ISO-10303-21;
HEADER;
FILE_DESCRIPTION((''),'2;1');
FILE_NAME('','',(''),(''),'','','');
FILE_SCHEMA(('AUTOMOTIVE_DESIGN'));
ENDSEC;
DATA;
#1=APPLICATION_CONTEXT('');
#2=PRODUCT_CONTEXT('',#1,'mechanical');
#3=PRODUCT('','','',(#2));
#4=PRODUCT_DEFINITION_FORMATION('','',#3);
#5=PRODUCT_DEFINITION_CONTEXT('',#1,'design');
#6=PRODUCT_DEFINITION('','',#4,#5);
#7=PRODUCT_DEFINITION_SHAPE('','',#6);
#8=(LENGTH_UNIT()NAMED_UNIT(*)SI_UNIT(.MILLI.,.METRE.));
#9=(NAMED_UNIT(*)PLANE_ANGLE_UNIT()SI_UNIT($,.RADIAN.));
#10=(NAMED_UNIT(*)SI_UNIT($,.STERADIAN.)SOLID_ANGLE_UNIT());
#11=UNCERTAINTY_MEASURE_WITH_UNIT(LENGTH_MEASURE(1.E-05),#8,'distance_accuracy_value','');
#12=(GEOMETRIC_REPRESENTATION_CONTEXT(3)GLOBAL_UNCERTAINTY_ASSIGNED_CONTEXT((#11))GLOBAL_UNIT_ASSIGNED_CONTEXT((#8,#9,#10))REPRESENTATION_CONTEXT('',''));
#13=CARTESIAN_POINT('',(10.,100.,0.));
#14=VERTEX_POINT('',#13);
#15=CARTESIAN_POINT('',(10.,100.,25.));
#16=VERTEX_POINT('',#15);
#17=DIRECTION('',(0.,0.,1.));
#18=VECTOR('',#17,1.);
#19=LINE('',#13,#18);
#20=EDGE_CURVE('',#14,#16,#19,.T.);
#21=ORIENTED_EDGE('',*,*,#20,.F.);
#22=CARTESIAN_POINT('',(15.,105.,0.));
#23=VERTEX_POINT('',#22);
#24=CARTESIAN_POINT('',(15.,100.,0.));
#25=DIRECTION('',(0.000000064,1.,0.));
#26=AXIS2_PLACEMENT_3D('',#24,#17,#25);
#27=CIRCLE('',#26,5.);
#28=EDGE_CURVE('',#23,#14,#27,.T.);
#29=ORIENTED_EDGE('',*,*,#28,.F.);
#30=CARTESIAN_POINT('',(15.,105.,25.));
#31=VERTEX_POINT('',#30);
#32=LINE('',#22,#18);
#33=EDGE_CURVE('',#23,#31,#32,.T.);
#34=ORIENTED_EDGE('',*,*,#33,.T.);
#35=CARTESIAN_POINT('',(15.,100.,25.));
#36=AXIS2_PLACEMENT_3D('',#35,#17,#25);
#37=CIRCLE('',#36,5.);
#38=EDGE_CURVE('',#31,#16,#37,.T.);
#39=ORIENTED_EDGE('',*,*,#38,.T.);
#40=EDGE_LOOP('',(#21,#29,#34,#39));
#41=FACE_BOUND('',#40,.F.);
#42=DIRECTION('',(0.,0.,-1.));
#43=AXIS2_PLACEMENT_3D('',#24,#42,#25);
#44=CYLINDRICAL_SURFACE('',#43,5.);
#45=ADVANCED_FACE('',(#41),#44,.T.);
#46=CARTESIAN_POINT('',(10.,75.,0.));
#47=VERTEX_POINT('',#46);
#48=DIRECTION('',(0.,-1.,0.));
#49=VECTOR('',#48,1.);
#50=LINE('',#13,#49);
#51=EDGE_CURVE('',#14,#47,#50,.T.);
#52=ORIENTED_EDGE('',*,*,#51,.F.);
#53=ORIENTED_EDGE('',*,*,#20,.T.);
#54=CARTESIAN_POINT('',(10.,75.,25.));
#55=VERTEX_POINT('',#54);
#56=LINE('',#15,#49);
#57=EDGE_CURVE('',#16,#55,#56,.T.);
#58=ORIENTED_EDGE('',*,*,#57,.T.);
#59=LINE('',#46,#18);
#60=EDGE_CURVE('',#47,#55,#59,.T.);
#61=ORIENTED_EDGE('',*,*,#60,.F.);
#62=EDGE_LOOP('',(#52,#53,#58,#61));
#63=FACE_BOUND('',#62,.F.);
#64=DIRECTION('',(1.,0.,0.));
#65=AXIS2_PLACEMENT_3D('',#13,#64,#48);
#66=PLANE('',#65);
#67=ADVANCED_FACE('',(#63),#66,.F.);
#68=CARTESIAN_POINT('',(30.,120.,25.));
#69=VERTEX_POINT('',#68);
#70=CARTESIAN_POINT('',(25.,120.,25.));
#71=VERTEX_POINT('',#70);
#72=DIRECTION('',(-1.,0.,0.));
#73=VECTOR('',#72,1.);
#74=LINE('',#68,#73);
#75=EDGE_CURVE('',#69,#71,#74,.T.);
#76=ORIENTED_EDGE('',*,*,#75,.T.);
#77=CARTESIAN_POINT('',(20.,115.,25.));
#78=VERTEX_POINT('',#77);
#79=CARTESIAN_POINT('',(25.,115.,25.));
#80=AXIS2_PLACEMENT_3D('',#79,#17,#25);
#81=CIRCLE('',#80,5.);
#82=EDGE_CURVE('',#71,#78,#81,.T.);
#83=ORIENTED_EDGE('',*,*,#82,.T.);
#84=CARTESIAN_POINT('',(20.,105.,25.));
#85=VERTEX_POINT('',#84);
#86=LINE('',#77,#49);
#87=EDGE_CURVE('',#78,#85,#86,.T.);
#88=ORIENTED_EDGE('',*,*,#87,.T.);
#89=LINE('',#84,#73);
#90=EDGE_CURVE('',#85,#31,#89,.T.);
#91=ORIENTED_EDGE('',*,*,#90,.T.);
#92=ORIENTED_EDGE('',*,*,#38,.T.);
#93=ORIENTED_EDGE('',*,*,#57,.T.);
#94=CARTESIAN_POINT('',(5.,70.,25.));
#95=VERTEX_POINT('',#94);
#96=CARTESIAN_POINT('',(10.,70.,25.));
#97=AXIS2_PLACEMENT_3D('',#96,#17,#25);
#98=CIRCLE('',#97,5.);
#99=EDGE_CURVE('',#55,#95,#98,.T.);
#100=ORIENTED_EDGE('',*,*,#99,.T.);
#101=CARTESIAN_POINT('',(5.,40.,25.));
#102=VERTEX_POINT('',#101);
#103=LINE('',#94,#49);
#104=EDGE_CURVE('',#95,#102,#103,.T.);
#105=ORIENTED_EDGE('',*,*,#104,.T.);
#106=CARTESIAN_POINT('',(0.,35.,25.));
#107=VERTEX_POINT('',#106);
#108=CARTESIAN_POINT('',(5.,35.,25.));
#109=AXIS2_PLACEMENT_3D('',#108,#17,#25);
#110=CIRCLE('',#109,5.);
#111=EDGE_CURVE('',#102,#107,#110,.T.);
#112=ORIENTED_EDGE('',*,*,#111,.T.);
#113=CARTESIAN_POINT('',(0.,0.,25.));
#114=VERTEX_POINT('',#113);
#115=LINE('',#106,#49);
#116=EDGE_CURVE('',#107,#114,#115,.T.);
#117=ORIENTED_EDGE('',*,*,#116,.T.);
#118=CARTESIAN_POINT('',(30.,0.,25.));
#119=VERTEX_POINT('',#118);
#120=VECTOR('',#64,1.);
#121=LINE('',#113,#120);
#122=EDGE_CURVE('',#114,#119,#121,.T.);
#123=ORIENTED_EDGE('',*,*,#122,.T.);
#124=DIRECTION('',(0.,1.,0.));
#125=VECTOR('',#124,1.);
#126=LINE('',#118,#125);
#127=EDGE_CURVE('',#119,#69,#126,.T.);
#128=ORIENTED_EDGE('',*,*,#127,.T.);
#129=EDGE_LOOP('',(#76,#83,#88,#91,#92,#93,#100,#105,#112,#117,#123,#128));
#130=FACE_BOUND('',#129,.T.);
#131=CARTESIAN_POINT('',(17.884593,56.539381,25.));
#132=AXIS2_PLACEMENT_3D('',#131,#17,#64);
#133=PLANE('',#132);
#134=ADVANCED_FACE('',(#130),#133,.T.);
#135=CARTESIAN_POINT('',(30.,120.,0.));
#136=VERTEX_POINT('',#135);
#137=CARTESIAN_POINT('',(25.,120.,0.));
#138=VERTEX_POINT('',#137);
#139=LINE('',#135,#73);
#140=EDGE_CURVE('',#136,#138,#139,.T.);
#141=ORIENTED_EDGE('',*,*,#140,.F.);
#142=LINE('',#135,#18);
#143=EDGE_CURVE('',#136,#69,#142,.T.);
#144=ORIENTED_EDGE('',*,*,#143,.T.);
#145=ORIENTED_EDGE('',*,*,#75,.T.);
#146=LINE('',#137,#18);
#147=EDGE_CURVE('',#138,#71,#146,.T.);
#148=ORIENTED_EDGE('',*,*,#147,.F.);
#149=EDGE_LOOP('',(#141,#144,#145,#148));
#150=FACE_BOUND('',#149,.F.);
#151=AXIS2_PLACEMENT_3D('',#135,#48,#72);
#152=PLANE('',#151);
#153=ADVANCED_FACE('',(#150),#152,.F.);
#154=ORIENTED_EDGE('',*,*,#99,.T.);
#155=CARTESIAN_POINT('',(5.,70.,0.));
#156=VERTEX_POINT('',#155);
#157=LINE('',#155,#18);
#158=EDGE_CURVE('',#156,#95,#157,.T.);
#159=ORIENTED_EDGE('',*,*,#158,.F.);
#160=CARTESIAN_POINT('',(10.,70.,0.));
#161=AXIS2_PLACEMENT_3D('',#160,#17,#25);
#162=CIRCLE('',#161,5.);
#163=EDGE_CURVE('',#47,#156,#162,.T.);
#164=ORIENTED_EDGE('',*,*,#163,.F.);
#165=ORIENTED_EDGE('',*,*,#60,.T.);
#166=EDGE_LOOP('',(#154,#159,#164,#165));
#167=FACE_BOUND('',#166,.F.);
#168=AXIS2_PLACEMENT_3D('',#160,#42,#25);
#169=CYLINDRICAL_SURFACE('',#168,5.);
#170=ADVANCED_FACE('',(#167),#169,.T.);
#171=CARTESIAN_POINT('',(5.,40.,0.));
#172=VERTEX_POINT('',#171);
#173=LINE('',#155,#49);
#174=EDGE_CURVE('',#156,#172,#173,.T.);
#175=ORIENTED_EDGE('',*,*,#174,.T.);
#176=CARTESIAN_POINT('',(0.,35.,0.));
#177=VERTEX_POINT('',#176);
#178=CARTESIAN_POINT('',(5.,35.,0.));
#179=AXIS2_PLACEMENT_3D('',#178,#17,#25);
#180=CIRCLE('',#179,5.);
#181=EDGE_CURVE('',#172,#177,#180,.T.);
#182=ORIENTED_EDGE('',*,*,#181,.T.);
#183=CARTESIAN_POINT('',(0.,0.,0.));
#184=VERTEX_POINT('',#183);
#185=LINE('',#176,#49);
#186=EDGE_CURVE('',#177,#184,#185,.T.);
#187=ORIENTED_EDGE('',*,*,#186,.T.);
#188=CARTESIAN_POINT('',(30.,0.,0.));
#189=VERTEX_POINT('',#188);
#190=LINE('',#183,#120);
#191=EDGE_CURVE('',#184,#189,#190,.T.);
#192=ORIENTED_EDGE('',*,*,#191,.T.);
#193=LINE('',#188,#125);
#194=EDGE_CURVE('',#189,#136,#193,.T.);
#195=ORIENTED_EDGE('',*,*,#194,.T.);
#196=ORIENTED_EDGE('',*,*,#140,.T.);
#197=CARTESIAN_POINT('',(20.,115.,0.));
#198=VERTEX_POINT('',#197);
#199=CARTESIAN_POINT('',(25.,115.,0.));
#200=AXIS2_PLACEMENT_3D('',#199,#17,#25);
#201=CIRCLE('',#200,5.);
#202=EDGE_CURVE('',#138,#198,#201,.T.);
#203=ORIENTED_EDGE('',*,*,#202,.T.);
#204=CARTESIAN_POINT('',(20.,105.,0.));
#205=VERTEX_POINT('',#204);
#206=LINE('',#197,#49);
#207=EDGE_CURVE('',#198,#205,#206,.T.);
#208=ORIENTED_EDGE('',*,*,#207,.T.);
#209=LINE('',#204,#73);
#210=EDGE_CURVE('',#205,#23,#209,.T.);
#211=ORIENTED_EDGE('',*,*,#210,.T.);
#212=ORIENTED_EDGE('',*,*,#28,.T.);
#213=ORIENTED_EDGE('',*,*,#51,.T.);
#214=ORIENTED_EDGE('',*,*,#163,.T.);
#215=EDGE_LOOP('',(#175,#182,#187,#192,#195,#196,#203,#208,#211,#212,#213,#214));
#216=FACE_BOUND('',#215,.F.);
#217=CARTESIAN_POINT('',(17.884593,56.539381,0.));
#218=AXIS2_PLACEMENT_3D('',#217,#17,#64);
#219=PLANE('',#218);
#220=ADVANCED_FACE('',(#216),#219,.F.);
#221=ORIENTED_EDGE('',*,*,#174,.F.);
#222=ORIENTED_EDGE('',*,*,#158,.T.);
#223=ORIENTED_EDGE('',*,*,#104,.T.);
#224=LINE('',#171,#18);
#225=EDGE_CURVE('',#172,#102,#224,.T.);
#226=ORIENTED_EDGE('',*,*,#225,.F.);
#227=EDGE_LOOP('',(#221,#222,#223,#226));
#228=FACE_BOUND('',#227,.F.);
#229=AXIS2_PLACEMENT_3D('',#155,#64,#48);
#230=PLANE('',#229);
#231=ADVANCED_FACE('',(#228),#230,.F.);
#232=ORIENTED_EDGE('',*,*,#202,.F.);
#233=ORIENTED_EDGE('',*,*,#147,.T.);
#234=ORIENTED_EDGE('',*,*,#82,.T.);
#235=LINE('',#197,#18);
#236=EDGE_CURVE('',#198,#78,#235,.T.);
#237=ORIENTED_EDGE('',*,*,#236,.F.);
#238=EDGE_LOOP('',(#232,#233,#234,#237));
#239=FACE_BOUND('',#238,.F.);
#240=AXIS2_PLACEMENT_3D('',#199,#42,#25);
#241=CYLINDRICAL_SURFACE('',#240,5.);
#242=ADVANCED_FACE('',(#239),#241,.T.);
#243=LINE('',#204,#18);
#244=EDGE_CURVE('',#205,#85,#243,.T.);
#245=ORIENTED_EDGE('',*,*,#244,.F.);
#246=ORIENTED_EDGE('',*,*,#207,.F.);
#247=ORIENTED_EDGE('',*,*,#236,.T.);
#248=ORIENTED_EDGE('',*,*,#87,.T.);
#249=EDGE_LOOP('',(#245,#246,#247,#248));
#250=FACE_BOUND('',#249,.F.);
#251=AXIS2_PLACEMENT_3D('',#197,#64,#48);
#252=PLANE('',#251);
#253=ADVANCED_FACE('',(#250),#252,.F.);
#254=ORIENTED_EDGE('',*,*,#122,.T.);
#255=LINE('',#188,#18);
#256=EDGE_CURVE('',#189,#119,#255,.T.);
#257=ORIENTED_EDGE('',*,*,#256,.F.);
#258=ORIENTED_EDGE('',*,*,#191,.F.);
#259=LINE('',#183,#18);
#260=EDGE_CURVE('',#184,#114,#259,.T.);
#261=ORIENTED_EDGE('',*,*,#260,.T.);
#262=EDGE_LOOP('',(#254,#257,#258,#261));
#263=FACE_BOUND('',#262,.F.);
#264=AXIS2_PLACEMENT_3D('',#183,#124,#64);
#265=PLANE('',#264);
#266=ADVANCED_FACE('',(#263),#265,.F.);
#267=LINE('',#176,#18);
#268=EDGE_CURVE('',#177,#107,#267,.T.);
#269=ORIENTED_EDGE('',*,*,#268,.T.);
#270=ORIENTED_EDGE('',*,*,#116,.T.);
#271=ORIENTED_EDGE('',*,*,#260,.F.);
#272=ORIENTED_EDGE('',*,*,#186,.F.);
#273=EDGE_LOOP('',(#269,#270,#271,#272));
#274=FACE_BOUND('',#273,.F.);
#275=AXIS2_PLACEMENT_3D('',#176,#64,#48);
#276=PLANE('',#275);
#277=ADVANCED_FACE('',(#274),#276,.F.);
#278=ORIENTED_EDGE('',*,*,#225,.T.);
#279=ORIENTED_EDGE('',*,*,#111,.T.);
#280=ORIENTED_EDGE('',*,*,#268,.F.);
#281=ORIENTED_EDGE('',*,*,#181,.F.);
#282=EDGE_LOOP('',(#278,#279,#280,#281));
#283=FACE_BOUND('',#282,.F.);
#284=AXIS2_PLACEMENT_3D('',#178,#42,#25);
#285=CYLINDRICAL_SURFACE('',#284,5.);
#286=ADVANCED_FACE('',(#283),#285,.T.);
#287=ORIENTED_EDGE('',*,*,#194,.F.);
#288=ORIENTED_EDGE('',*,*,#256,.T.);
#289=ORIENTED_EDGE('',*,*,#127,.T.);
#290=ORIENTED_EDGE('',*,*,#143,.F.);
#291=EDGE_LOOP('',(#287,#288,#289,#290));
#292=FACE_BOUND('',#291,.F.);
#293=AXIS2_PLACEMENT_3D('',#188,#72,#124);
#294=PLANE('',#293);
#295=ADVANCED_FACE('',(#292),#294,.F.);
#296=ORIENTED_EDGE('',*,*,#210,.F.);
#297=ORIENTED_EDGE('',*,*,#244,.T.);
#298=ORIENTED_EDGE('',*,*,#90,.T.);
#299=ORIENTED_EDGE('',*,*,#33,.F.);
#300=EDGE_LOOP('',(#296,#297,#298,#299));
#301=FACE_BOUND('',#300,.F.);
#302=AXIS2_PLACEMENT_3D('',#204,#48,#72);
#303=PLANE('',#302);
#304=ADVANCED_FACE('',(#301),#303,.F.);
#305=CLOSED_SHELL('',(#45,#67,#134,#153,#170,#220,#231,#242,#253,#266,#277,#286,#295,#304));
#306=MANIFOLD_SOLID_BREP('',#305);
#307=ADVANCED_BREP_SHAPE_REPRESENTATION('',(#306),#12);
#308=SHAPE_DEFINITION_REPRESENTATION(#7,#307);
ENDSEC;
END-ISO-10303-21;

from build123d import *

# Parameters (mm, degrees)
F1_DEPTH = 25


with BuildPart() as f1:
    # F0 (on Top) → F1 (new body)
    with BuildSketch(Plane.XY):
        with BuildLine():
            Line((0, 35), (0, 0))
            Line((0, 0), (30, 0))
            Line((30, 0), (30, 120))
            Line((30, 120), (25, 120))
            ThreePointArc((25, 120), (21.464466, 118.535534), (20, 115))
            Line((20, 115), (20, 105))
            Line((20, 105), (15, 105))
            ThreePointArc((15, 105), (11.464466, 103.535534), (10, 100))
            Line((10, 100), (10, 75))
            ThreePointArc((10, 75), (6.464466, 73.535534), (5, 70))
            Line((5, 70), (5, 40))
            ThreePointArc((5, 40), (1.464466, 38.535534), (0, 35))
        make_face()
    extrude(amount=F1_DEPTH)


solid = f1.part
